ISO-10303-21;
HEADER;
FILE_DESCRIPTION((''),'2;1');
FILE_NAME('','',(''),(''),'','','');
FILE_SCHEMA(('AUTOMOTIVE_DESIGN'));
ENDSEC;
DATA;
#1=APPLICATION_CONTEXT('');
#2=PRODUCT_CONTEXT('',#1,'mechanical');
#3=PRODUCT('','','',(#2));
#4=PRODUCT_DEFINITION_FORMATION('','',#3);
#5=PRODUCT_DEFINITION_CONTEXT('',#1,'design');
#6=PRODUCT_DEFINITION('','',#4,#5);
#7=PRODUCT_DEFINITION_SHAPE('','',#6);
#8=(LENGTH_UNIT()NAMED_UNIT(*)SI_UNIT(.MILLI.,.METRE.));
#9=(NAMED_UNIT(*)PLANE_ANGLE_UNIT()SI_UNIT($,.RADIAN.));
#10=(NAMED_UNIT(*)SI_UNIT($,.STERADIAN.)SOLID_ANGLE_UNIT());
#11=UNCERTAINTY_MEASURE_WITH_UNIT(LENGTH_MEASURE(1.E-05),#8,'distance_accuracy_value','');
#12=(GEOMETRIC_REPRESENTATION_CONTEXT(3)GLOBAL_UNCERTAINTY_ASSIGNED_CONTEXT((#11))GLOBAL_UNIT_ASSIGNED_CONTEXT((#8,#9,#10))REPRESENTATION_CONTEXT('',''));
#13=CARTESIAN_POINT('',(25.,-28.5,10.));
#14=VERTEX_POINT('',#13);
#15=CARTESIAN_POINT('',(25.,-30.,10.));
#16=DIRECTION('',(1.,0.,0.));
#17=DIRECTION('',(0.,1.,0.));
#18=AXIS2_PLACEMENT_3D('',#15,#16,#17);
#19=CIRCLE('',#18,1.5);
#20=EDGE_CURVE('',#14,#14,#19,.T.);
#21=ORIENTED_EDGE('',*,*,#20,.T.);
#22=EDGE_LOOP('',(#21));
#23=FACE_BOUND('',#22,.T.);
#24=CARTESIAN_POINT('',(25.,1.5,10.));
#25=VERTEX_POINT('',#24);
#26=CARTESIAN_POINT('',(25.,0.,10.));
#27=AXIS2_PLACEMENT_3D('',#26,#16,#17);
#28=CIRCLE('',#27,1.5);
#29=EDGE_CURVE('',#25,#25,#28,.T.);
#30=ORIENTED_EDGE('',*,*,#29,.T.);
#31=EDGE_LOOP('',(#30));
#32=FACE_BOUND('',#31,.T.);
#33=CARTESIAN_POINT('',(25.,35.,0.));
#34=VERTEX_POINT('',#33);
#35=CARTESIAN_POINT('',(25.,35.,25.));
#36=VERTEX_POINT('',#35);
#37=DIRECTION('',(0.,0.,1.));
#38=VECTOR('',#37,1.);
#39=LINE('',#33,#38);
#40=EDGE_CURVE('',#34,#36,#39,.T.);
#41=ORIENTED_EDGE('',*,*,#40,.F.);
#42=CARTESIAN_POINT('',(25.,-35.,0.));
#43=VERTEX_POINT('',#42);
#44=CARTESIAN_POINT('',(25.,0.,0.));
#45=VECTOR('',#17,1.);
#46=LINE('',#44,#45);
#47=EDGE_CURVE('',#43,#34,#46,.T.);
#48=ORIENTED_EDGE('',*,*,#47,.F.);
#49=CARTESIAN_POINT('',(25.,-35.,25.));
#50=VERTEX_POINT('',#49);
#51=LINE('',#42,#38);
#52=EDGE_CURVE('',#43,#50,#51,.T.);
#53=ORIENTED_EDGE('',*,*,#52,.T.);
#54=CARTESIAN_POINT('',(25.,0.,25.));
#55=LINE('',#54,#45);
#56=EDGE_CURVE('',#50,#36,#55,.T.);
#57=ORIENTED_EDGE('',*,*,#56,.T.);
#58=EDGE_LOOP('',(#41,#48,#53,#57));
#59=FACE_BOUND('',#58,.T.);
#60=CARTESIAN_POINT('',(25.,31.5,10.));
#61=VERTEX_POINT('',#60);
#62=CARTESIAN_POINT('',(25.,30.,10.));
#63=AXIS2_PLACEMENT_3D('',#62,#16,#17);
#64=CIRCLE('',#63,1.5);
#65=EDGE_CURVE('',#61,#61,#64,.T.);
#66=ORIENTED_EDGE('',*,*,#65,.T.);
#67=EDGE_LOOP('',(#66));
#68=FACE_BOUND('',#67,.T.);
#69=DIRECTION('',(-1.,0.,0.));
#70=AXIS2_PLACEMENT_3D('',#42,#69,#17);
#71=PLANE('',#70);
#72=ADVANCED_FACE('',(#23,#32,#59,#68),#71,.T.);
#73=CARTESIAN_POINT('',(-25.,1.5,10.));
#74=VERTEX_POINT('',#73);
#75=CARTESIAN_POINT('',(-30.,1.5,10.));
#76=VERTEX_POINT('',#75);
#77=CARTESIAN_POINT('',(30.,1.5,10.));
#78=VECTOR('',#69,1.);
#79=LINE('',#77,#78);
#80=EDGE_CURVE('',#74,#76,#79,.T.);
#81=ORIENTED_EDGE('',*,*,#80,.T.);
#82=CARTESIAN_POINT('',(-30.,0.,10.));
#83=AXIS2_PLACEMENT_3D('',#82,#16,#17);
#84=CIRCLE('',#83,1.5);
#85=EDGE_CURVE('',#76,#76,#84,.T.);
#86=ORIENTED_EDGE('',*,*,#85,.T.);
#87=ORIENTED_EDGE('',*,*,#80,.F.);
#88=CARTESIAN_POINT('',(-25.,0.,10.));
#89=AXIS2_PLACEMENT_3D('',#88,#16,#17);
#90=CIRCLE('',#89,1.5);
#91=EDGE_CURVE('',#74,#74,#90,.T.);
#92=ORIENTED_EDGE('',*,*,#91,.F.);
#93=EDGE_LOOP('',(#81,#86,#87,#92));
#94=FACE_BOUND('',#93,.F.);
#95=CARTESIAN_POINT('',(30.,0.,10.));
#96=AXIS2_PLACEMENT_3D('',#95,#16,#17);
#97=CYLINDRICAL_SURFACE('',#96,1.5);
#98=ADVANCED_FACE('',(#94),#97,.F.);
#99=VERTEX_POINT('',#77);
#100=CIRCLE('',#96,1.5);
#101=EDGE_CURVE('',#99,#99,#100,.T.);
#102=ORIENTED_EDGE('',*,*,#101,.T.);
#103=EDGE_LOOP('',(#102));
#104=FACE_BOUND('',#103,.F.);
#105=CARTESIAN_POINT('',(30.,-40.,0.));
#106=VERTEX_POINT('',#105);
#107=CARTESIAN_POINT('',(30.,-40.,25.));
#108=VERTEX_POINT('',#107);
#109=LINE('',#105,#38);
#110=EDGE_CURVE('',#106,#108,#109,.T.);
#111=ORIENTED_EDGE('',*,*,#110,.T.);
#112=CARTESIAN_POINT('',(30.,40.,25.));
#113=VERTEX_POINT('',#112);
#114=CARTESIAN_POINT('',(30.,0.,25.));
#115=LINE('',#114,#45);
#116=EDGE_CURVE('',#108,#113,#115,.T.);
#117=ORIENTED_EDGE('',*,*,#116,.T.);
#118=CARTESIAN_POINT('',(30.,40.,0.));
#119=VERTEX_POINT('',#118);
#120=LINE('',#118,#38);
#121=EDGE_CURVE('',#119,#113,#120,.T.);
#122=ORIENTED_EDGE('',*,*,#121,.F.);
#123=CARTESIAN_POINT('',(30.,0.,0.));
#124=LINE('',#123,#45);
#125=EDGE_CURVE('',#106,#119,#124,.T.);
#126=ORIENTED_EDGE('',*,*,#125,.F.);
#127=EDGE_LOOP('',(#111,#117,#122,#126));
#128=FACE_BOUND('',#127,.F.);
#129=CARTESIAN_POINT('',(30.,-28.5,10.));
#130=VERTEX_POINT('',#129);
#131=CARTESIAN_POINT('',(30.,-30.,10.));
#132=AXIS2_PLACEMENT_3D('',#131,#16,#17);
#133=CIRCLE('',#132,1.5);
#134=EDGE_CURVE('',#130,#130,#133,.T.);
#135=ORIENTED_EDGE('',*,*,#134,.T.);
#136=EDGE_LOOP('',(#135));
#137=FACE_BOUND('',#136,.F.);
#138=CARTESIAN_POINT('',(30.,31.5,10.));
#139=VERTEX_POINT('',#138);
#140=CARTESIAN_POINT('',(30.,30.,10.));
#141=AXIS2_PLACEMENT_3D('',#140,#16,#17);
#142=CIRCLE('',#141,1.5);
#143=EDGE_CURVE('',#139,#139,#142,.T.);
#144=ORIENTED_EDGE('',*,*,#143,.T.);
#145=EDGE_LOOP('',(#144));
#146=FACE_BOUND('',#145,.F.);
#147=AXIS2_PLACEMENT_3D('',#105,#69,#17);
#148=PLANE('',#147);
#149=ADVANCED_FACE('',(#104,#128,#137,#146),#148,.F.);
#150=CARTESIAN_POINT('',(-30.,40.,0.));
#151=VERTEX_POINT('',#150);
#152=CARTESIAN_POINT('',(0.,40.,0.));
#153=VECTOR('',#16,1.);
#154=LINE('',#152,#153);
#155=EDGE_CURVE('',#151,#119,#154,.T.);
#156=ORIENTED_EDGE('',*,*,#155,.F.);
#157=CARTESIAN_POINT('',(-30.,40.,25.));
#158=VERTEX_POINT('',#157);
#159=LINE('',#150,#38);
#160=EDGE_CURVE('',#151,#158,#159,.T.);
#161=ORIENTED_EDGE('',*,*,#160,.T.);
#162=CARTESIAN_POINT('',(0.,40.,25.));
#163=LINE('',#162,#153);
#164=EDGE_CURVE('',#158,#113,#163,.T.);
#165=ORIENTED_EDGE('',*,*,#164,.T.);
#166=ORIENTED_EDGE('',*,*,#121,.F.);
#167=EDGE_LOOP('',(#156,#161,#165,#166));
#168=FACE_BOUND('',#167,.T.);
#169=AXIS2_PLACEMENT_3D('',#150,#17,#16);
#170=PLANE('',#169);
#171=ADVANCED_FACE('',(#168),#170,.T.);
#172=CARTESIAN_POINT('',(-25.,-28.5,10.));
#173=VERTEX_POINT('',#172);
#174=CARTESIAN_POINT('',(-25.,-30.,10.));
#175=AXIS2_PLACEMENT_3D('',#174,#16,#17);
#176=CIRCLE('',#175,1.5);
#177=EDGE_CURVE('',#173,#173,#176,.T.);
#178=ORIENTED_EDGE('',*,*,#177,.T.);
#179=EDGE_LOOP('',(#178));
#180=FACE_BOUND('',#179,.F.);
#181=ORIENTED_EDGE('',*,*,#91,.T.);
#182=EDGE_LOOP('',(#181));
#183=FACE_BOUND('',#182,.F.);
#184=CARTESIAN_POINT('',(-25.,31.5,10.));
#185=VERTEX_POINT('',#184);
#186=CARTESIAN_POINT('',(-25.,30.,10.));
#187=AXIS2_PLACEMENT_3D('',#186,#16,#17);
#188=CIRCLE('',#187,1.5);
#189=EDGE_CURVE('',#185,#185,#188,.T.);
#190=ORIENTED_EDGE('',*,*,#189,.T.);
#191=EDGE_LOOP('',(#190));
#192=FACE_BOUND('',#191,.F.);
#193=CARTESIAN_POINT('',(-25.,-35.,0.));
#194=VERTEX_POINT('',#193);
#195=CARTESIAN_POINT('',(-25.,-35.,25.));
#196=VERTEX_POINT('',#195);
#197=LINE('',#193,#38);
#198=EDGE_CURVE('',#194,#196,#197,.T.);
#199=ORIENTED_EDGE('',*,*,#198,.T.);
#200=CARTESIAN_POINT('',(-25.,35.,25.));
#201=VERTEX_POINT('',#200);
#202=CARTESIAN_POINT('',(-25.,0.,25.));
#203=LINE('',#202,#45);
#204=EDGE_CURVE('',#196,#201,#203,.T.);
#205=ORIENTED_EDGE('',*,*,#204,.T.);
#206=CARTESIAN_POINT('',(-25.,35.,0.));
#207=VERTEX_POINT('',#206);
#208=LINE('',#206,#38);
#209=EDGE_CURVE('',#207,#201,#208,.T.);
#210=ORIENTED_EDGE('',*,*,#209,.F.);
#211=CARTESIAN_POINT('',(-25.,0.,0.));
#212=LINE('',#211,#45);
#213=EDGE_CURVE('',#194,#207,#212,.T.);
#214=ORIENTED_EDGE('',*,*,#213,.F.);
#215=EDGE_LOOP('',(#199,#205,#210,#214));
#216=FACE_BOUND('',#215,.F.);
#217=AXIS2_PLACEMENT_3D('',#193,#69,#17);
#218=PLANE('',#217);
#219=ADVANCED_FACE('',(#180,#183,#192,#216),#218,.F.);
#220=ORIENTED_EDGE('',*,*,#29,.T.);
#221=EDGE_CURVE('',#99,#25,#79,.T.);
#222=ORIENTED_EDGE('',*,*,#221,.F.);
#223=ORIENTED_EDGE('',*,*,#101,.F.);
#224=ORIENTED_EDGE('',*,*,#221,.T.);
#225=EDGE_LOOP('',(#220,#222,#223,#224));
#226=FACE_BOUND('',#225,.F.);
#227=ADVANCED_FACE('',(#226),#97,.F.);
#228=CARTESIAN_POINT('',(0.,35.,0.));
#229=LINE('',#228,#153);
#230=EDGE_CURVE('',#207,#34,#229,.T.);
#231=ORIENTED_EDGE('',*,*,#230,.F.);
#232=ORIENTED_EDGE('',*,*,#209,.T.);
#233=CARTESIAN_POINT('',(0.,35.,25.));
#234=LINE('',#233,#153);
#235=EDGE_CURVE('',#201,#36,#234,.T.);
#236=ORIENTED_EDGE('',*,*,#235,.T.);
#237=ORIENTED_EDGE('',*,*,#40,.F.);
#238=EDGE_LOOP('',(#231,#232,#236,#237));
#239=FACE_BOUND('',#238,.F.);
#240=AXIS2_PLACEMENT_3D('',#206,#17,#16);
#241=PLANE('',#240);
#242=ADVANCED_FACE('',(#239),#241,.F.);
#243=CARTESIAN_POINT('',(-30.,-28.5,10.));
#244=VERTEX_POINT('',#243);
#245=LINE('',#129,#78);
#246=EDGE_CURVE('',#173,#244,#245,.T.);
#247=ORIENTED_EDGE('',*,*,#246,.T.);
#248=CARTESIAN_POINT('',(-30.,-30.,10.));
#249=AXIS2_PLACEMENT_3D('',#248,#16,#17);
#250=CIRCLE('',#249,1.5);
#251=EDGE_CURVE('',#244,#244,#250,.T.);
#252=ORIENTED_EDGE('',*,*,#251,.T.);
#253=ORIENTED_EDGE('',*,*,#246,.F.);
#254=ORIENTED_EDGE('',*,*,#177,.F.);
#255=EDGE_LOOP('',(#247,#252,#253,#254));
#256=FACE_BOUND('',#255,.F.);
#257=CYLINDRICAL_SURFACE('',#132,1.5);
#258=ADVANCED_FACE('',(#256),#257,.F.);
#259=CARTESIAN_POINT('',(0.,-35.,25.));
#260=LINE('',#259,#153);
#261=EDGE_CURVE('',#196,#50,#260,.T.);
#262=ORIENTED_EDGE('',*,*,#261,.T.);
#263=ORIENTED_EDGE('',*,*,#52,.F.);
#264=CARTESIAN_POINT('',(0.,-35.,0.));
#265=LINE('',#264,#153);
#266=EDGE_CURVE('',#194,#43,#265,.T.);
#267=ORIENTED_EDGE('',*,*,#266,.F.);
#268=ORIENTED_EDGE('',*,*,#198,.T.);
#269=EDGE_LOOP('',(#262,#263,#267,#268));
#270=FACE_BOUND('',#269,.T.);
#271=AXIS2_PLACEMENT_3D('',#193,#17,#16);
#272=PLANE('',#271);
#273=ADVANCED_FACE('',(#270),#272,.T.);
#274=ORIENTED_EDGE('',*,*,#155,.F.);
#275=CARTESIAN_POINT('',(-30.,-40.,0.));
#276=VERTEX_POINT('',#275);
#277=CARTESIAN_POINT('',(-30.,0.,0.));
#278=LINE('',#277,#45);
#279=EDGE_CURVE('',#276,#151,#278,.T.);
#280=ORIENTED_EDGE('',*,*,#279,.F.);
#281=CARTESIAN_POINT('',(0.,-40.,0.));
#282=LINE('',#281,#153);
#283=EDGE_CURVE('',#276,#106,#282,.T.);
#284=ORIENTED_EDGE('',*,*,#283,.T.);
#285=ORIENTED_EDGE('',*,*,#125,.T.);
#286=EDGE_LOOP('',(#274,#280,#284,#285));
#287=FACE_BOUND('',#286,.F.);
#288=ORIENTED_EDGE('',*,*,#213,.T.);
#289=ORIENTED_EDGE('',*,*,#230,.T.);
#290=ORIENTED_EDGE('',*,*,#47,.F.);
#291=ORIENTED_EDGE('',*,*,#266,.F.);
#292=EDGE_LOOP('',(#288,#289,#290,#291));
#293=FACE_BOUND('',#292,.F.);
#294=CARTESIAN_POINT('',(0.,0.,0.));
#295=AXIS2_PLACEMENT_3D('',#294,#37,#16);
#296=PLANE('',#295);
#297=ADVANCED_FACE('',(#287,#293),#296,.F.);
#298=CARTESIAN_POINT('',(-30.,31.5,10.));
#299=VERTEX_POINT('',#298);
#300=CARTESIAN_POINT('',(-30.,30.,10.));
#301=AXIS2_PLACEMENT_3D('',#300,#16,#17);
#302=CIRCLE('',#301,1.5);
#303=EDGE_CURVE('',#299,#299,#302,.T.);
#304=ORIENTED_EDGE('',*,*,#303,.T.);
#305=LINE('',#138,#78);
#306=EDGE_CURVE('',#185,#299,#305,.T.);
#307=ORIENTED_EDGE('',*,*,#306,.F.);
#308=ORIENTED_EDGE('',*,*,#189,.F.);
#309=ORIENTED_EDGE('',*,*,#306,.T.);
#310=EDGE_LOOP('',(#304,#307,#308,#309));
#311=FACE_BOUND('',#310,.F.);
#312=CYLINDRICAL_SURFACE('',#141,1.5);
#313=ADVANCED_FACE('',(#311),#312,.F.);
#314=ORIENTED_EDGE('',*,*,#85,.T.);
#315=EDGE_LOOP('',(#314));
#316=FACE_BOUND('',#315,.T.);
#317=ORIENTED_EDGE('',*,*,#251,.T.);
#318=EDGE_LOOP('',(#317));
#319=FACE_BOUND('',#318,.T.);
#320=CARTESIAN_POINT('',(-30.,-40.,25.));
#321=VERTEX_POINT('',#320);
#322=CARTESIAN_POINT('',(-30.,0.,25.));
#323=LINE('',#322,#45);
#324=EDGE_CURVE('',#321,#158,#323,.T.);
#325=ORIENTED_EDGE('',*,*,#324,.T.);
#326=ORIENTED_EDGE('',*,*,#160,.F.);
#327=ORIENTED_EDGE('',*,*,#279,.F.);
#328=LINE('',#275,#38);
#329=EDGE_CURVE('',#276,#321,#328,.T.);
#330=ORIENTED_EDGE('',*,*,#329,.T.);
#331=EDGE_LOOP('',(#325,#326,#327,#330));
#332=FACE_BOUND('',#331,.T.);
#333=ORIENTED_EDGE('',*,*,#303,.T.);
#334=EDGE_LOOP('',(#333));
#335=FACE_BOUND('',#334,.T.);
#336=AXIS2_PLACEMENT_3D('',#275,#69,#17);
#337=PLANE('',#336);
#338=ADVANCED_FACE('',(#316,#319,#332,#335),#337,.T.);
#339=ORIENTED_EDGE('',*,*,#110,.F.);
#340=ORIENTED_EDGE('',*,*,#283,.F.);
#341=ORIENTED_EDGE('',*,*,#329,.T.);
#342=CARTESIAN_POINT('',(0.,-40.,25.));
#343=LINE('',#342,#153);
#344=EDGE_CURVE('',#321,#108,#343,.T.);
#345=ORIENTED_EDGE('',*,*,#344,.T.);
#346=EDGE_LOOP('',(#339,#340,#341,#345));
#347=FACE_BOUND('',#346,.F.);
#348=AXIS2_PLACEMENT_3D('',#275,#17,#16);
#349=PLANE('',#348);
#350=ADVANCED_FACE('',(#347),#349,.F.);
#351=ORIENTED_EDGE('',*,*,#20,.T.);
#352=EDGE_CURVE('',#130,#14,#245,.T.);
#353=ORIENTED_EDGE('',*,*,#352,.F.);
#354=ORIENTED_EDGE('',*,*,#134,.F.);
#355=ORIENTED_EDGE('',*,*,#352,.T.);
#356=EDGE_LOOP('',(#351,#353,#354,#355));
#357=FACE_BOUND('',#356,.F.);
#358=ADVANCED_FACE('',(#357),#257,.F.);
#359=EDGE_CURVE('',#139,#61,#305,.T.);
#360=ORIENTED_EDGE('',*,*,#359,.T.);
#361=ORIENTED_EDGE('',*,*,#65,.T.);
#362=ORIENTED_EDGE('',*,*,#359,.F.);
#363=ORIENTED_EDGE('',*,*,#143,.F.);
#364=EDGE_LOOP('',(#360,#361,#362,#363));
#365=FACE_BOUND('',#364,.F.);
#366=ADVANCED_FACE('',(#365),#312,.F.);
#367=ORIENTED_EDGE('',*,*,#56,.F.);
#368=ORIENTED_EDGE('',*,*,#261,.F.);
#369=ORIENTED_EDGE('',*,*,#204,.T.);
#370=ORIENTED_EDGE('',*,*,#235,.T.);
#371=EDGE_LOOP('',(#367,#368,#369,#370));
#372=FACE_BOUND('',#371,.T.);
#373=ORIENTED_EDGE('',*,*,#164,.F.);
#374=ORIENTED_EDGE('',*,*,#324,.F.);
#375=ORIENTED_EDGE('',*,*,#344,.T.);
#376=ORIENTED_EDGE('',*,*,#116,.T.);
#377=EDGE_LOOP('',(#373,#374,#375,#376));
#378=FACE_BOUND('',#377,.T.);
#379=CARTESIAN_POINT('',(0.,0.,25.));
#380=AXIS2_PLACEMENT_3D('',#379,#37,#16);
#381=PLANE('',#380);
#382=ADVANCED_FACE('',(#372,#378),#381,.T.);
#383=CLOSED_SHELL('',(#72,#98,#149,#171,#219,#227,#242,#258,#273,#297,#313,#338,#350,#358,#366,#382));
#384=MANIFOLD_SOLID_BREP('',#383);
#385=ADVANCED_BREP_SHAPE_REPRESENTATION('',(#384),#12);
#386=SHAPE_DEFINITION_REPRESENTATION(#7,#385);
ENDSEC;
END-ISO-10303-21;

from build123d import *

# Parameters (mm, degrees)
F0_W     = 60
F0_H     = 80
F0_W_2   = 50
F0_H_2   = 70
F1_DEPTH = 25
F2_R     = 1.5
F3_DEPTH = 60.001


with BuildPart() as f1:
    # F0 (on Top) → F1 (new body)
    with BuildSketch(Plane.XY):
        Rectangle(F0_W, F0_H)
        Rectangle(F0_W_2, F0_H_2, mode=Mode.SUBTRACT)
    extrude(amount=F1_DEPTH)

    # F2 (on face) → F3 (cut, through all)
    with BuildSketch(Plane.YZ.offset(30)):
        with Locations((-30, 10)):
            Circle(F2_R)
        with Locations((0, 10)):
            Circle(F2_R)
        with Locations((30, 10)):
            Circle(F2_R)
    extrude(amount=-F3_DEPTH, mode=Mode.SUBTRACT)


solid = f1.part
